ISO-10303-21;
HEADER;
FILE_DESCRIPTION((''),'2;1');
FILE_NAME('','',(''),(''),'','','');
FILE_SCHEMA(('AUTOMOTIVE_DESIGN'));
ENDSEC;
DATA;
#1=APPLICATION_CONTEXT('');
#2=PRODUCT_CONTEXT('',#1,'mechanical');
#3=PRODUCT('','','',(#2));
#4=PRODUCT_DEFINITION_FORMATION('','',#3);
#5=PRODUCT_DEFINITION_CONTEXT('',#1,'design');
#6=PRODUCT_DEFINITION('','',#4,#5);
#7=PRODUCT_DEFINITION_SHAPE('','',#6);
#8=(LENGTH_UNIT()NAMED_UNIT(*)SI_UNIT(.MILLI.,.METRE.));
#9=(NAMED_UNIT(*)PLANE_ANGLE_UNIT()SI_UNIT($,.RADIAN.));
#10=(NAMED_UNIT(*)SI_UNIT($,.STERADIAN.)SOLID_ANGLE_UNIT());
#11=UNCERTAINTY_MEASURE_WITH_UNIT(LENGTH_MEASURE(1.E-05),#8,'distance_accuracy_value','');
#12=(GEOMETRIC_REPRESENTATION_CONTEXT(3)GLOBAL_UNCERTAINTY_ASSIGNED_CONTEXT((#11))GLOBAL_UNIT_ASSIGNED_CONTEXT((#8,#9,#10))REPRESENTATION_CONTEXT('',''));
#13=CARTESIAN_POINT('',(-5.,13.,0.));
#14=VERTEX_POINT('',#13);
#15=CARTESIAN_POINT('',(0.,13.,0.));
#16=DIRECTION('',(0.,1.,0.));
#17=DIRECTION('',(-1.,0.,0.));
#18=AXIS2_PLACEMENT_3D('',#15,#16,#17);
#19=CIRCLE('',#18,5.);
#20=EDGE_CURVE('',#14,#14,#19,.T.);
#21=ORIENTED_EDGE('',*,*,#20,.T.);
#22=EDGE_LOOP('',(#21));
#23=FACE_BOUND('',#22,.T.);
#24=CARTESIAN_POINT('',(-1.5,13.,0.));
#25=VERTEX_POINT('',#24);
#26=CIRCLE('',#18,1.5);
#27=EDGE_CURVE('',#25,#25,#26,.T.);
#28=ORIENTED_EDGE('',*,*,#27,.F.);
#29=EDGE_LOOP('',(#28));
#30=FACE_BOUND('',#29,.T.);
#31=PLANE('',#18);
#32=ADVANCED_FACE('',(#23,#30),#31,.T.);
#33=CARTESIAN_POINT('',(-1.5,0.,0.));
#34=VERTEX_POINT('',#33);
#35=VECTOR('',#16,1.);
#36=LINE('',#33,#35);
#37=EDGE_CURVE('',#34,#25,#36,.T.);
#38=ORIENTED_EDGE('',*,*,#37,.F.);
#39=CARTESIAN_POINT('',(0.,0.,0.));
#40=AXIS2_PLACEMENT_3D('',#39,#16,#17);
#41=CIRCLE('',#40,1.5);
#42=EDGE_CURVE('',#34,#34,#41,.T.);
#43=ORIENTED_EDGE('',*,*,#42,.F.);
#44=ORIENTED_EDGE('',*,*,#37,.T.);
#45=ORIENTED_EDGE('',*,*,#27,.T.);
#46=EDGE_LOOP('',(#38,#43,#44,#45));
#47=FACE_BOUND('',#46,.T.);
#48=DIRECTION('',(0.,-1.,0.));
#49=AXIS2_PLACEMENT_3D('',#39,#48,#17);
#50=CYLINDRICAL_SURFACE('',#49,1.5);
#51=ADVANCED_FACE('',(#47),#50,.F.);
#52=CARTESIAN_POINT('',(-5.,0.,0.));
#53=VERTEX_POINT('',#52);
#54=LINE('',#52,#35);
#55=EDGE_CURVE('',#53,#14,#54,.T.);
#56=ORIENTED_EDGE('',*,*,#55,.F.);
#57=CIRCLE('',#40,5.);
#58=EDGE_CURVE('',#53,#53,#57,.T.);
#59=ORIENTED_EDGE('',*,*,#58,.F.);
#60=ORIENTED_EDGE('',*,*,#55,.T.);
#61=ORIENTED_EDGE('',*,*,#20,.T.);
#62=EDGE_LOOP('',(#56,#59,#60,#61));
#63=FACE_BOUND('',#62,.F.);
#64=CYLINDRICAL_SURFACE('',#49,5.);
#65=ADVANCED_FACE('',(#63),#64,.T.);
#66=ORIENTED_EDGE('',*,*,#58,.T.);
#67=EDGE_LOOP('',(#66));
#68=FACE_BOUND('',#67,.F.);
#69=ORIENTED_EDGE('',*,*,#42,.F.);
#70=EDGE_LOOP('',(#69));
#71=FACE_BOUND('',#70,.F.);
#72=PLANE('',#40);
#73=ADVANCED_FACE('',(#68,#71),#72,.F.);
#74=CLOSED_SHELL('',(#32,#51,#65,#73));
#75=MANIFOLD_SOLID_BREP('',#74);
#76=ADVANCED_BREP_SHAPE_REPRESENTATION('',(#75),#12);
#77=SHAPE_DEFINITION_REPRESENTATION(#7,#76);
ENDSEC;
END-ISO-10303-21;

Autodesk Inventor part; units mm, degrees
ref_plane "YZ Plane" through (0, 0, 0) normal (1, 0, 0) x (0, 1, 0)
ref_plane "XZ Plane" through (0, 0, 0) normal (0, 1, 0) x (-1, 0, 0)
ref_plane "XY Plane" through (0, 0, 0) normal (0, 0, 1) x (1, 0, 0)
sketch "Sketch1" plane through (0, 0, 0) normal (0, 1, 0) x (-1, 0, 0)
  circle A0 centre (0, 0) radius 5
  circle A1 centre (0, 0) radius 1.5
  dimension "d0" = 10
  dimension "d1" = 3
extrude "Extrusion1" add sketch "Sketch1" along normal blind 13
properties part number "fan_standoff"
